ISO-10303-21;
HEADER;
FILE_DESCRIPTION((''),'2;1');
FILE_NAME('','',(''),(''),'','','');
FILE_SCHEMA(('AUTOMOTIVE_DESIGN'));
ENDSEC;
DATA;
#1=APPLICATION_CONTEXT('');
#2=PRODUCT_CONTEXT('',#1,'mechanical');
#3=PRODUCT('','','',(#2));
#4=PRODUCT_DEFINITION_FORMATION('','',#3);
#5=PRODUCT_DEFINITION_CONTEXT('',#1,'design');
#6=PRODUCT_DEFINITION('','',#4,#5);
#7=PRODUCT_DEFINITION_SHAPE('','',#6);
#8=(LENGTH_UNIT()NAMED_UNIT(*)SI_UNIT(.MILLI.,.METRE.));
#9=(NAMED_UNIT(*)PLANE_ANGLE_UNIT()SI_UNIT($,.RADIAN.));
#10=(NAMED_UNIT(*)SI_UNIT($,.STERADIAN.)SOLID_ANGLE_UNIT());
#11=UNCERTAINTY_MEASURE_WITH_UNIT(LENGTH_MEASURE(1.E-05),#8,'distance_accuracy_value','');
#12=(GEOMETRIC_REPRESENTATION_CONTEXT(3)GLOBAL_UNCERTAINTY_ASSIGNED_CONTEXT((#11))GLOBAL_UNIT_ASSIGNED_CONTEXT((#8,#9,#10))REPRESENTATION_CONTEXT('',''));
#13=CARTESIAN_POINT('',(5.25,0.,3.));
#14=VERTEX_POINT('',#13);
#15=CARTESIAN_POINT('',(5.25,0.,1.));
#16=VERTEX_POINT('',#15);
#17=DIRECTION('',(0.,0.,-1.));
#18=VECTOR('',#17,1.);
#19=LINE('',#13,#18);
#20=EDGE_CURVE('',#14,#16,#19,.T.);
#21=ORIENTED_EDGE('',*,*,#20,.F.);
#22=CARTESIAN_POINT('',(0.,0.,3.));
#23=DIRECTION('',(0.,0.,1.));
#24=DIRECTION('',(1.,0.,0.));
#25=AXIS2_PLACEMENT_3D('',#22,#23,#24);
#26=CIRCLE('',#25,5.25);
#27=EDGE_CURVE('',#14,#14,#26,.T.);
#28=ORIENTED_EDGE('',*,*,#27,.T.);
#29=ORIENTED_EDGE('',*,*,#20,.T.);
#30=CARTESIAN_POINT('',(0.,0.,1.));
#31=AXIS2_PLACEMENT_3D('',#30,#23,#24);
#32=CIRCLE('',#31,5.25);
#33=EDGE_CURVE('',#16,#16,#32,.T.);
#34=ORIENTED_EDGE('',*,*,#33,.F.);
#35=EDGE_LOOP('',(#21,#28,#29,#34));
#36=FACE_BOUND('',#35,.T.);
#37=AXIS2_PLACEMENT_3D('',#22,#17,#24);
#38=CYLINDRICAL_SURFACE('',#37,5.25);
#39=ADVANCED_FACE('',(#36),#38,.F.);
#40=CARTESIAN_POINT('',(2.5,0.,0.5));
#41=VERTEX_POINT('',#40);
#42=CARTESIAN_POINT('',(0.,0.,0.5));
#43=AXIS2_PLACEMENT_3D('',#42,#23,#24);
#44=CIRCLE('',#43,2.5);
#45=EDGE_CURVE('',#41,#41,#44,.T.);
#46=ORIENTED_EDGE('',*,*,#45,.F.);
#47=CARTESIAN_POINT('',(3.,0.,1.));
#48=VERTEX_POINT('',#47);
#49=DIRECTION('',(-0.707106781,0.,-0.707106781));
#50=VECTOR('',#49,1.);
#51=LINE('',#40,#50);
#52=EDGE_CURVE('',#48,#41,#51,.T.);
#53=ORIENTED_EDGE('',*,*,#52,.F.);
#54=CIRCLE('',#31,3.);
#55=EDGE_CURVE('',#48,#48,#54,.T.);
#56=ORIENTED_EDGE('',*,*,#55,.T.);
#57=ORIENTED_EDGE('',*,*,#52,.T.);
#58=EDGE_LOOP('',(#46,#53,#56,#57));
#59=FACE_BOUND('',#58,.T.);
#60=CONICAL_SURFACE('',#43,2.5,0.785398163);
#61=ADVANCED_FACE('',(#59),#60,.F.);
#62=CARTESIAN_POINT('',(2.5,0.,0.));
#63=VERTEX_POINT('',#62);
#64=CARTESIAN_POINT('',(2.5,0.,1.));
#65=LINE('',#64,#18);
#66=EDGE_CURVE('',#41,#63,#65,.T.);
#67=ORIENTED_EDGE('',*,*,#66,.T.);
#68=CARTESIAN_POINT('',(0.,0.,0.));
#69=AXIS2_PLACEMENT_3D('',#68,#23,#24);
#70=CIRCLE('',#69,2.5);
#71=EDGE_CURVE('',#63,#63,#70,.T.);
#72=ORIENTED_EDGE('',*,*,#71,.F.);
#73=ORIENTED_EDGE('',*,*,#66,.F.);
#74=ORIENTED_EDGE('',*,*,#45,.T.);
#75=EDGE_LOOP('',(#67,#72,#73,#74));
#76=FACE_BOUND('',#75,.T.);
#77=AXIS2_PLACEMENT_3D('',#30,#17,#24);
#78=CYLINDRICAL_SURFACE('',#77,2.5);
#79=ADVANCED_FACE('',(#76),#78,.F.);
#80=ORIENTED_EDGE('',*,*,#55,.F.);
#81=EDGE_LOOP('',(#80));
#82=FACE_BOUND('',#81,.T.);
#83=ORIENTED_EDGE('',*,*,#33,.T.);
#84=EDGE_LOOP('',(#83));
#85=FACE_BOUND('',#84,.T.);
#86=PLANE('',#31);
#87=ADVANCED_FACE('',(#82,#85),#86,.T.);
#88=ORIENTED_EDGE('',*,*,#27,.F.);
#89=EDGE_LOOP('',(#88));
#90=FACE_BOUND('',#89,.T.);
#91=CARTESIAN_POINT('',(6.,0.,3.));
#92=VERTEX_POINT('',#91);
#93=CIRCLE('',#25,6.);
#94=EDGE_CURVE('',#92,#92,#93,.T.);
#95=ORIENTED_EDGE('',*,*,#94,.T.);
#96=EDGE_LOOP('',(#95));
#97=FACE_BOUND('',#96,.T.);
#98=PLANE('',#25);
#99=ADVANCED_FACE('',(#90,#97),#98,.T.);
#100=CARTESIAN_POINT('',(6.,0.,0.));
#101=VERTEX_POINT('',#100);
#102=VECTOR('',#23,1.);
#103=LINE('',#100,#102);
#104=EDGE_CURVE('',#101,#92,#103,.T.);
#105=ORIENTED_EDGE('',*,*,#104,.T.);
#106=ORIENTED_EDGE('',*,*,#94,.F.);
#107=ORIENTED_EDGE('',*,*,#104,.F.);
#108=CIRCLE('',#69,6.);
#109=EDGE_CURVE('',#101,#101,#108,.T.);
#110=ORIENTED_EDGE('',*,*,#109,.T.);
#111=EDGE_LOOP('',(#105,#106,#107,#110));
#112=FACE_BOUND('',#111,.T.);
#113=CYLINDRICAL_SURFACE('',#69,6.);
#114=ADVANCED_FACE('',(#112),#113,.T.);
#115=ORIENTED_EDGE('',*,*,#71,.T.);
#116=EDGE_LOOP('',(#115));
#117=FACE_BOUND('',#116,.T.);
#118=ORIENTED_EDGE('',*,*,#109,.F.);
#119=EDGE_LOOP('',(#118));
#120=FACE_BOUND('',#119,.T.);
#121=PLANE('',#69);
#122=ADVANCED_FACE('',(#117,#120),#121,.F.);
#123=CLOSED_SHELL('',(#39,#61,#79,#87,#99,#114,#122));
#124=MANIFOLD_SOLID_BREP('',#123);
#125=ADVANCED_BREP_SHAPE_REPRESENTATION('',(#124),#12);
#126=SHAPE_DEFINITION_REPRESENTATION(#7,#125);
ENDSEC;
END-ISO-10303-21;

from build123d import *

# Parameters (mm, degrees)
F2_SIZE = 0.5


with BuildPart() as f1:
    # F0 (on Front) → F1 (revolve)
    with BuildSketch(Plane.XZ):
        Polygon((2.5, 0), (6, 0), (6, 3), (5.25, 3), (5.25, 1), (2.5, 1), align=None)
    revolve(axis=Axis((0, 0, 1.5), (0, 0, 1)))

    # F2
    f2_edges = [f1.edges().sort_by_distance(p)[0] for p in [
        (-2.5, 0, 1),
    ]]
    chamfer(f2_edges, length=F2_SIZE)


solid = f1.part
